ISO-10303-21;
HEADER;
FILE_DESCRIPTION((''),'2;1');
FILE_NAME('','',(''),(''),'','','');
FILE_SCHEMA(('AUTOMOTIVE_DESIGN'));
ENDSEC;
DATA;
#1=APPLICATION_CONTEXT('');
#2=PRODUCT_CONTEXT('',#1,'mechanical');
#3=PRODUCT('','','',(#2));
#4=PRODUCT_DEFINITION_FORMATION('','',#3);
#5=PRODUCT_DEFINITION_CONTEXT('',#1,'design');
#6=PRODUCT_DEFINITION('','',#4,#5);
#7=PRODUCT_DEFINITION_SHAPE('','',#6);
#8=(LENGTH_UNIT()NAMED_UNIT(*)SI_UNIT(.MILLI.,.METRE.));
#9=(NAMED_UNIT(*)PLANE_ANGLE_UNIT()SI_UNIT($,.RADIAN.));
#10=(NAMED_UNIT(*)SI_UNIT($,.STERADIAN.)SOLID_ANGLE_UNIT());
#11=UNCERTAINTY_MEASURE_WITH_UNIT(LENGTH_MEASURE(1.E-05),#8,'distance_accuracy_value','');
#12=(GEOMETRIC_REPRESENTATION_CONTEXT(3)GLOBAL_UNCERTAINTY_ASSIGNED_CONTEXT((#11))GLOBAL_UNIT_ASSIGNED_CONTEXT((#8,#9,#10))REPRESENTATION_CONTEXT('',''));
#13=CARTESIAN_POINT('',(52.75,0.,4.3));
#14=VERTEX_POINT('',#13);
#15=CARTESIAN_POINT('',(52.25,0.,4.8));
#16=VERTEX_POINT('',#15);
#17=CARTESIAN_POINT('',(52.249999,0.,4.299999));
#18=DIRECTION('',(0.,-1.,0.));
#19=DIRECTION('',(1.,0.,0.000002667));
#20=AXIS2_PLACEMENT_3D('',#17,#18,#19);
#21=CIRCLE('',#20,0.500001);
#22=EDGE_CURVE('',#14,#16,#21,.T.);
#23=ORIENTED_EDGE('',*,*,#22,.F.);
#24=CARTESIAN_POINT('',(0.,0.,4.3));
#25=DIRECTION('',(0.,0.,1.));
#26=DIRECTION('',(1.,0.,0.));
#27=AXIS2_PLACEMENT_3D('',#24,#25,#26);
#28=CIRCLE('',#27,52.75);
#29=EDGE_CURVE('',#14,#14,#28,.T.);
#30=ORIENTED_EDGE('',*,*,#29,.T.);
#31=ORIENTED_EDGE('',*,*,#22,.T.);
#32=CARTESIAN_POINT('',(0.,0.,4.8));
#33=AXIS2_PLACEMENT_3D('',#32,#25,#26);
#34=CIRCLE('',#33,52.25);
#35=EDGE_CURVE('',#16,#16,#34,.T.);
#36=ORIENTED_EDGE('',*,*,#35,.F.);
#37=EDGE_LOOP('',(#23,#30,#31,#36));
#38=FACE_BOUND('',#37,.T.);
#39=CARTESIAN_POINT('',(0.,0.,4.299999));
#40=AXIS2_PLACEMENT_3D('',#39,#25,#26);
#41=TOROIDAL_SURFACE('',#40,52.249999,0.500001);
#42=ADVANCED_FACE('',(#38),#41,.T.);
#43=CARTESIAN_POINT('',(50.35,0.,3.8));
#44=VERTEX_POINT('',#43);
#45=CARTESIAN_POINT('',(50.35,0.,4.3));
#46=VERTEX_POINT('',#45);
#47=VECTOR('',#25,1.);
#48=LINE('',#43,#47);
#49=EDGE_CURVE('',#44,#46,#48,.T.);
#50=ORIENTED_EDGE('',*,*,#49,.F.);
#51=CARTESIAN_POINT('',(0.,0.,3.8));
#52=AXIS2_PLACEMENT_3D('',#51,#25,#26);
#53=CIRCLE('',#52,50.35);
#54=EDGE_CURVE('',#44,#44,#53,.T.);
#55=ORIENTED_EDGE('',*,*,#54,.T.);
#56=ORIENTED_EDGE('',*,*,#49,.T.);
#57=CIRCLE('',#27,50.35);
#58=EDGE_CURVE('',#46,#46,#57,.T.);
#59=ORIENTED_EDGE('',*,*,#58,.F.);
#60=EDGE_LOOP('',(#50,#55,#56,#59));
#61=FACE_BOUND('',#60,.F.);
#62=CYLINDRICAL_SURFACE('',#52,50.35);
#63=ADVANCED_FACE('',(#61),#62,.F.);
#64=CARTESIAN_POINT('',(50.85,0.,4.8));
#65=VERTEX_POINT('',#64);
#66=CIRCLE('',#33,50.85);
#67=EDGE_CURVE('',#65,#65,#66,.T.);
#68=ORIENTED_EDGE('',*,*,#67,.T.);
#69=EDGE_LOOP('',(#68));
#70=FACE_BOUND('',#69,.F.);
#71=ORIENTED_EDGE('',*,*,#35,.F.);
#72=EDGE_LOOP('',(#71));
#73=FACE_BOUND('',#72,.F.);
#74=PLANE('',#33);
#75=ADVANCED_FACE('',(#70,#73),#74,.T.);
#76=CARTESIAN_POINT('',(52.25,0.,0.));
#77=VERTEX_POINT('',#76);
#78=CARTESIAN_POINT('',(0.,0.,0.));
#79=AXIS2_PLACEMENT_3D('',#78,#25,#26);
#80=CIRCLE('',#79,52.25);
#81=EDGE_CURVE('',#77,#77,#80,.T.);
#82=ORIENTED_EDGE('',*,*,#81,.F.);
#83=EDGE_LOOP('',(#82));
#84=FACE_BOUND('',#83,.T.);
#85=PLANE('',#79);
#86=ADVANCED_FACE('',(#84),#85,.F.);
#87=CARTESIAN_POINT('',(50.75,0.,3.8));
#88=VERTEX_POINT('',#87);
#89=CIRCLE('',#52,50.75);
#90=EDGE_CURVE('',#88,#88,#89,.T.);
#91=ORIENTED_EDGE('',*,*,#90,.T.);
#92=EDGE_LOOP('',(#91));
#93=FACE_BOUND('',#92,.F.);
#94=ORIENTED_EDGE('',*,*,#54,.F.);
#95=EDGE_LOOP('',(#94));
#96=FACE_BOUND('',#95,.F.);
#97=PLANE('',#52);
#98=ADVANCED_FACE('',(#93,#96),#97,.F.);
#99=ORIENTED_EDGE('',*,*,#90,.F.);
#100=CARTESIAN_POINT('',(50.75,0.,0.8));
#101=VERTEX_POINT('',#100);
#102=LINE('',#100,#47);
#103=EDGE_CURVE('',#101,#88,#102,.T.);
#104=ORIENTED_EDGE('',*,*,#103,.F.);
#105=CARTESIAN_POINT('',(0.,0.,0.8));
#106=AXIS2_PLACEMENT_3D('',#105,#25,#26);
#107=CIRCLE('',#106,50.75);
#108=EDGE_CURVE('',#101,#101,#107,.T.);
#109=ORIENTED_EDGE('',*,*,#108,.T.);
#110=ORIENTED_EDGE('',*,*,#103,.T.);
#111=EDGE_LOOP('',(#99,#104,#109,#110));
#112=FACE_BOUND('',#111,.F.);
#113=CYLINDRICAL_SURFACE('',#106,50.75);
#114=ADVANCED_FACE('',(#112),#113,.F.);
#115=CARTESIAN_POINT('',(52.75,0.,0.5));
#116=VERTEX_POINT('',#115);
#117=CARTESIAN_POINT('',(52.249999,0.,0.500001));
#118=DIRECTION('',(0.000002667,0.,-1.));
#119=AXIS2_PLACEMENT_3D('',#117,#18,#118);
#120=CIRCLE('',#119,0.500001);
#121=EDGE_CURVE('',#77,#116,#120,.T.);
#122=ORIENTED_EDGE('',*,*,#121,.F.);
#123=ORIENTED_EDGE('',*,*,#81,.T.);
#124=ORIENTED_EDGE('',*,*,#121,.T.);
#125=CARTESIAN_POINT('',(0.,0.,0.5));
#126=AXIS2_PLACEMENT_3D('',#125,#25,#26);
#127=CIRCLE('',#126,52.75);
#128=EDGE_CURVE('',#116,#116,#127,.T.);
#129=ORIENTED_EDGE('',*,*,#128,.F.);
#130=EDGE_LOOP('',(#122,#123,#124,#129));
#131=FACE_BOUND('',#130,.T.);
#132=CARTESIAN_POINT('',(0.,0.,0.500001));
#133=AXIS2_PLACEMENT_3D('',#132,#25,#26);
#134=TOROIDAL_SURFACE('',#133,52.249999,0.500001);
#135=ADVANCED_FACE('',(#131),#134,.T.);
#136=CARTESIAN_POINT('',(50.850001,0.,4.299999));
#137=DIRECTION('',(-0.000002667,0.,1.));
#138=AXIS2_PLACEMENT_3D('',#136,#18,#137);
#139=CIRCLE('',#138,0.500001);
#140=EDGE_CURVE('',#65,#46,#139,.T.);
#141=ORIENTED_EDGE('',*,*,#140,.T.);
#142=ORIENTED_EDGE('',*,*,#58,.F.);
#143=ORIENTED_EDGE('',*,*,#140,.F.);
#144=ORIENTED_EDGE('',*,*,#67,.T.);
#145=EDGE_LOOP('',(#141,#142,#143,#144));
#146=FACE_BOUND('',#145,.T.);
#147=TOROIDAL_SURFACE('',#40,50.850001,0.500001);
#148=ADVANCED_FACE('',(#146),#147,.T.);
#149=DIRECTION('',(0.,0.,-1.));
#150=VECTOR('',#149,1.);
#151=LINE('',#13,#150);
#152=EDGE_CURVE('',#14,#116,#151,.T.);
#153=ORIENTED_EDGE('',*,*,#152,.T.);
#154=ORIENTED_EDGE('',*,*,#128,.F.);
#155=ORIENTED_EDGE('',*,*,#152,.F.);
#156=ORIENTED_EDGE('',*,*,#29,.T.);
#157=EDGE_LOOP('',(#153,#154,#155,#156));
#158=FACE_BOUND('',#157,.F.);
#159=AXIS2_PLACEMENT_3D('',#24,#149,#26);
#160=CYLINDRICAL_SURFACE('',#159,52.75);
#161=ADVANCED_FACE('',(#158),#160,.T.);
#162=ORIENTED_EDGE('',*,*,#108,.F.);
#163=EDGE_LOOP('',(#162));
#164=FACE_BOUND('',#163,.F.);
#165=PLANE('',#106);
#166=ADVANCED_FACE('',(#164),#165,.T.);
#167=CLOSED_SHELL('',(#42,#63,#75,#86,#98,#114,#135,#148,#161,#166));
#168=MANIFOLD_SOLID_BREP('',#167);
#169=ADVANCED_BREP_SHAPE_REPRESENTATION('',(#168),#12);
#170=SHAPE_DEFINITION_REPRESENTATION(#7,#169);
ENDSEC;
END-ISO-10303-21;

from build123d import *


with BuildPart() as part:
    # Sketch → Revolution (revolve)
    with BuildSketch(Plane.XZ):
        with BuildLine():
            Line((0, 0), (52.25, 0))
            ThreePointArc((52.25, 0), (52.603553, 0.146447), (52.75, 0.5))
            Line((52.75, 4.3), (52.75, 0.5))
            ThreePointArc((52.75, 4.3), (52.603553, 4.653553), (52.25, 4.8))
            Line((50.85, 4.8), (52.25, 4.8))
            ThreePointArc((50.85, 4.8), (50.496447, 4.653553), (50.35, 4.3))
            Line((50.35, 3.8), (50.35, 4.3))
            Line((50.75, 3.8), (50.35, 3.8))
            Line((50.75, 0.8), (50.75, 3.8))
            Line((0, 0.8), (50.75, 0.8))
            Line((0, 0), (0, 0.8))
        make_face()
    revolve(axis=Axis((0, 0, 0), (0, 0, 1)))


solid = part.part
